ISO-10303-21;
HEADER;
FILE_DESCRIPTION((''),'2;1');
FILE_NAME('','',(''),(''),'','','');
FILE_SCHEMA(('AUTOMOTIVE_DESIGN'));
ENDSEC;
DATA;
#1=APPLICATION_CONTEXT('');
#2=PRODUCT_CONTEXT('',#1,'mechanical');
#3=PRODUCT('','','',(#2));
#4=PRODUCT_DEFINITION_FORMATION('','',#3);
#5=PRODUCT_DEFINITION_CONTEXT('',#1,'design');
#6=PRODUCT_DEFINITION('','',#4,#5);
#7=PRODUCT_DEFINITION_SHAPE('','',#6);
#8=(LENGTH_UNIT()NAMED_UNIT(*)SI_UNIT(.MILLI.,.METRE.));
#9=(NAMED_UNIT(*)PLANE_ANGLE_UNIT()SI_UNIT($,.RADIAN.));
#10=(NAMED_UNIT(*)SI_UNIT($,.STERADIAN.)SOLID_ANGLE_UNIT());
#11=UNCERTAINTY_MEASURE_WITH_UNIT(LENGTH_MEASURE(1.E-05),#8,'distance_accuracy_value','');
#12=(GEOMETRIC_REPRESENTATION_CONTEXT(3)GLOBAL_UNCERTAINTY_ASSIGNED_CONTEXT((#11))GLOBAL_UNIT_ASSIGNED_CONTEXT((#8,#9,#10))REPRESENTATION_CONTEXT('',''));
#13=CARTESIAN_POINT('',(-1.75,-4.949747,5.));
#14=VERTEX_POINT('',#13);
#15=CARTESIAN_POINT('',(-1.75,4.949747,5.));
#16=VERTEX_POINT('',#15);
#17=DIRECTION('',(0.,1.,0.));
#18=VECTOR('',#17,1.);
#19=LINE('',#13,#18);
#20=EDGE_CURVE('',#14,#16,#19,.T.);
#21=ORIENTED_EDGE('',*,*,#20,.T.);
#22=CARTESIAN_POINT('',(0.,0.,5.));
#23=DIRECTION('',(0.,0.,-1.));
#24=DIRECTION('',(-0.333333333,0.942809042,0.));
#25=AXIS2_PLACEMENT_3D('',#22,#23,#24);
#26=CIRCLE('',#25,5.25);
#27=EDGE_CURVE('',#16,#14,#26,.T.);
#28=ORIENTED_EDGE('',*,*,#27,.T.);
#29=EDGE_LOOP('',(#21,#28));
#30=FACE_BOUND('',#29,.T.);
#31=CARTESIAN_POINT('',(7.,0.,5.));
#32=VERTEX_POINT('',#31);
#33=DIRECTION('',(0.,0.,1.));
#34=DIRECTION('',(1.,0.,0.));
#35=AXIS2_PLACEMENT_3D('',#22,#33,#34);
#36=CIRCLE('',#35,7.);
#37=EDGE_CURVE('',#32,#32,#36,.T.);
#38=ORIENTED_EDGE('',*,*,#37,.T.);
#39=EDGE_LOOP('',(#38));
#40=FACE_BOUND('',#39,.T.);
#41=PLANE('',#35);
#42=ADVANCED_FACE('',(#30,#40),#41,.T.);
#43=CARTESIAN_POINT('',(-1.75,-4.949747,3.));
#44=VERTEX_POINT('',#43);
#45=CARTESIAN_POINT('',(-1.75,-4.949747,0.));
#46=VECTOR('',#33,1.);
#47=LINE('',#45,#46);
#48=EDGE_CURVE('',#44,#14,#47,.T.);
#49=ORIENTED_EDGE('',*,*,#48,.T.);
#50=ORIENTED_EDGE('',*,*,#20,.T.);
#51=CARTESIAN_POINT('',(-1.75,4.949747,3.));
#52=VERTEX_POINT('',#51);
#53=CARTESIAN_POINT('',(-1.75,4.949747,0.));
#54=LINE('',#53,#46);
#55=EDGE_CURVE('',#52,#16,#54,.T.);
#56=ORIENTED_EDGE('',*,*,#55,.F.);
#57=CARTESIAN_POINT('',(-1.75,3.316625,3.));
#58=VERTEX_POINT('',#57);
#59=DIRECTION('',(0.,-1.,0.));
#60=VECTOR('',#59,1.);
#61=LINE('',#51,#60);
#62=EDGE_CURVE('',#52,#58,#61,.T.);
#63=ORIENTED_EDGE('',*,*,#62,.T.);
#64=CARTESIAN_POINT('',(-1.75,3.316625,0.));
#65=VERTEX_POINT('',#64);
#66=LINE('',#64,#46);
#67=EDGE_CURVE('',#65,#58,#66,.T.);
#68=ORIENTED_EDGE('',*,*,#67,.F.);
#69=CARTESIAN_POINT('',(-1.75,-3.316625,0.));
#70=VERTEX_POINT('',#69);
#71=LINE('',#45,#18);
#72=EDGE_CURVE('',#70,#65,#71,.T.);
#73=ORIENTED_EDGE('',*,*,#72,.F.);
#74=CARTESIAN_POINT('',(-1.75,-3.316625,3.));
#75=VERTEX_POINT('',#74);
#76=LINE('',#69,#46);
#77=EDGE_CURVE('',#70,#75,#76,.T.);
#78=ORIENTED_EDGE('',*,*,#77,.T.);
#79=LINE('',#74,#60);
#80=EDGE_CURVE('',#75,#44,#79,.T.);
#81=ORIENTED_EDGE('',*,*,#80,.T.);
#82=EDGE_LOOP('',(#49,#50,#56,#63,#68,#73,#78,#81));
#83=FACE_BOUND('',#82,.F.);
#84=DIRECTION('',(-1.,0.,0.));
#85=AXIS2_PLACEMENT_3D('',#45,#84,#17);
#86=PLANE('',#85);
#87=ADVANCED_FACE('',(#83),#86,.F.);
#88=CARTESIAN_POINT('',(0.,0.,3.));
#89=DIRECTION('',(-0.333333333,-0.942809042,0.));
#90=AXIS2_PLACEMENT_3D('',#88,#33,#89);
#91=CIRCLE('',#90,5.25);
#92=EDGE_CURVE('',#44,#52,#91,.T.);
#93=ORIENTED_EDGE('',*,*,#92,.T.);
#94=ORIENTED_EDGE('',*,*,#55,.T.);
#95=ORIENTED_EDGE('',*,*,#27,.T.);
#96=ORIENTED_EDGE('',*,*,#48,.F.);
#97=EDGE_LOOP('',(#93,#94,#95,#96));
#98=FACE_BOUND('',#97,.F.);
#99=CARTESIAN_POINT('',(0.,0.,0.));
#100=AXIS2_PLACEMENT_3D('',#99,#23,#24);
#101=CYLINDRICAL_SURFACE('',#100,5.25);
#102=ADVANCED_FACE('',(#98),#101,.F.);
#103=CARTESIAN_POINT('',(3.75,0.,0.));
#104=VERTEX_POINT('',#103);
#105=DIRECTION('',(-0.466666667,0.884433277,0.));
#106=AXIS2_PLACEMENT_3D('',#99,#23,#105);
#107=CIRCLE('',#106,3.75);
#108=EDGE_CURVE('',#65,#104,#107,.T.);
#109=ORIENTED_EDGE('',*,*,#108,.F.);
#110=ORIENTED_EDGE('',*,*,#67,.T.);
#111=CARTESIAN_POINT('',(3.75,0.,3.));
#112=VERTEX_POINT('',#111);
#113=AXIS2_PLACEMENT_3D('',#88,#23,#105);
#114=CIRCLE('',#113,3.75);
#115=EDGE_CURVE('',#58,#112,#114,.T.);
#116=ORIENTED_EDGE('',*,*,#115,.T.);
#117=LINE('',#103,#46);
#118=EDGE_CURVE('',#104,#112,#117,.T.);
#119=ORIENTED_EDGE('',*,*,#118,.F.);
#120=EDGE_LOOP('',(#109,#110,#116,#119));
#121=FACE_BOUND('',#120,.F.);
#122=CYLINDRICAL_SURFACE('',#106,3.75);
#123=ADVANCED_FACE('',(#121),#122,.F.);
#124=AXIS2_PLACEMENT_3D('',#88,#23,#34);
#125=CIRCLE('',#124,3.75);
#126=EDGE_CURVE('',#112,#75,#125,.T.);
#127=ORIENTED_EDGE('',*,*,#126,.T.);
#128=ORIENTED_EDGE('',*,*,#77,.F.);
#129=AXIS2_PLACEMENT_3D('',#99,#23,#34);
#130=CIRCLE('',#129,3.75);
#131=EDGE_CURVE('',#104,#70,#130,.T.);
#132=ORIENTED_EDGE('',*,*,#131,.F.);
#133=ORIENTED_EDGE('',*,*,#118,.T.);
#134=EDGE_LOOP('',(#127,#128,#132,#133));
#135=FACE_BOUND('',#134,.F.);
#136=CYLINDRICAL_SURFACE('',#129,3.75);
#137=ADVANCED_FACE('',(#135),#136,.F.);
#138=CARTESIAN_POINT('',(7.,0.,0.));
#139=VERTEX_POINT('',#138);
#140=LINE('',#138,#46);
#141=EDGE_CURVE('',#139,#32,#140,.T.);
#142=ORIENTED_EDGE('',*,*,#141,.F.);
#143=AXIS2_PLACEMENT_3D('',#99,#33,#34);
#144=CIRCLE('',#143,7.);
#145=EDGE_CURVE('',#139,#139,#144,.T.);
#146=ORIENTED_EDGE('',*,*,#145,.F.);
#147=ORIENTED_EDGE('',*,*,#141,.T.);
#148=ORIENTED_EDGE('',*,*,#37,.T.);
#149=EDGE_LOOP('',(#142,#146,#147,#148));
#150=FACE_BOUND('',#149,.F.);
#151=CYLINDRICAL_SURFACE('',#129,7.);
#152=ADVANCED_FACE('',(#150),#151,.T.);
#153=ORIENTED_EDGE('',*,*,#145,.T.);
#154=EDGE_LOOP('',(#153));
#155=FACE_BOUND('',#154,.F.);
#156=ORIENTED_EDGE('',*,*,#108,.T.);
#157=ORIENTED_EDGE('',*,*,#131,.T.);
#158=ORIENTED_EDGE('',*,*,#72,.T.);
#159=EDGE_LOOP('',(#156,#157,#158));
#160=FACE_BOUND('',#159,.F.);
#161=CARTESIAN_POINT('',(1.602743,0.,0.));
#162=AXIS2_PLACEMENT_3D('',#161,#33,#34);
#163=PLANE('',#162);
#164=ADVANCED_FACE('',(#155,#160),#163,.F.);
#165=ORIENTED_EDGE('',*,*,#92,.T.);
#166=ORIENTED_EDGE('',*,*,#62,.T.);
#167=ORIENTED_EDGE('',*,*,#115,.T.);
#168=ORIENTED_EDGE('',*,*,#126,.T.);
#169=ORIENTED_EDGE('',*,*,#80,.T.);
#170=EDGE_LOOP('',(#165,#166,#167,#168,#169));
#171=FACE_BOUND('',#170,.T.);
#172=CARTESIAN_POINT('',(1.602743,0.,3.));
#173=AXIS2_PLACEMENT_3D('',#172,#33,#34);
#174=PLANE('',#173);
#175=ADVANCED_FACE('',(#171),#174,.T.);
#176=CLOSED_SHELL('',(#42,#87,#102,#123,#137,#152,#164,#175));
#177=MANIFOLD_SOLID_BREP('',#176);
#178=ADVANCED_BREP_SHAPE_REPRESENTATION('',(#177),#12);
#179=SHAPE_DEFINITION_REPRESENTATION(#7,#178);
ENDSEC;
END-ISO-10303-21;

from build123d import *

# Parameters (mm, degrees)
F0_R     = 7
F1_DEPTH = 5
F2_DEPTH = 3


with BuildPart() as f1:
    # F0 (on Top) → F1 (new body)
    with BuildSketch(Plane.XY):
        Circle(F0_R)
        with BuildLine():
            ThreePointArc((-1.75, -4.9497474683), (-5.25, 0), (-1.75, 4.9497474683))
            ThreePointArc((-1.75, 4.9497474683), (3.0310889132, 4.2866070499), (5.25, 0))
            ThreePointArc((5.25, 0), (3.0310889132, -4.2866070499), (-1.75, -4.9497474683))
        make_face(mode=Mode.SUBTRACT)
        with BuildLine():
            ThreePointArc((-1.75, -3.3166247904), (-3.75, 0), (-1.75, 3.3166247904))
            Line((-1.75, 3.3166247904), (-1.75, 4.9497474683))
            ThreePointArc((-1.75, 4.9497474683), (-5.25, 0), (-1.75, -4.9497474683))
            Line((-1.75, -4.9497474683), (-1.75, -3.3166247904))
        make_face()
        with BuildLine():
            Line((-1.75, 0), (-1.75, 3.3166247904))
            ThreePointArc((-1.75, 3.3166247904), (-3.75, 0), (-1.75, -3.3166247904))
            Line((-1.75, -3.3166247904), (-1.75, 0))
        make_face()
    extrude(amount=F1_DEPTH)

    # F0 (on Top) → F2 (join)
    with BuildSketch(Plane.XY):
        with BuildLine():
            ThreePointArc((-1.75, 3.3166247904), (1.9364916731, 3.2113081447), (3.75, 0))
            ThreePointArc((3.75, 0), (1.9364916731, -3.2113081447), (-1.75, -3.3166247904))
            Line((-1.75, -3.3166247904), (-1.75, -4.9497474683))
            ThreePointArc((-1.75, -4.9497474683), (3.0310889132, -4.2866070499), (5.25, 0))
            ThreePointArc((5.25, 0), (3.0310889132, 4.2866070499), (-1.75, 4.9497474683))
            Line((-1.75, 4.9497474683), (-1.75, 3.3166247904))
        make_face()
    extrude(amount=F2_DEPTH)


solid = f1.part
